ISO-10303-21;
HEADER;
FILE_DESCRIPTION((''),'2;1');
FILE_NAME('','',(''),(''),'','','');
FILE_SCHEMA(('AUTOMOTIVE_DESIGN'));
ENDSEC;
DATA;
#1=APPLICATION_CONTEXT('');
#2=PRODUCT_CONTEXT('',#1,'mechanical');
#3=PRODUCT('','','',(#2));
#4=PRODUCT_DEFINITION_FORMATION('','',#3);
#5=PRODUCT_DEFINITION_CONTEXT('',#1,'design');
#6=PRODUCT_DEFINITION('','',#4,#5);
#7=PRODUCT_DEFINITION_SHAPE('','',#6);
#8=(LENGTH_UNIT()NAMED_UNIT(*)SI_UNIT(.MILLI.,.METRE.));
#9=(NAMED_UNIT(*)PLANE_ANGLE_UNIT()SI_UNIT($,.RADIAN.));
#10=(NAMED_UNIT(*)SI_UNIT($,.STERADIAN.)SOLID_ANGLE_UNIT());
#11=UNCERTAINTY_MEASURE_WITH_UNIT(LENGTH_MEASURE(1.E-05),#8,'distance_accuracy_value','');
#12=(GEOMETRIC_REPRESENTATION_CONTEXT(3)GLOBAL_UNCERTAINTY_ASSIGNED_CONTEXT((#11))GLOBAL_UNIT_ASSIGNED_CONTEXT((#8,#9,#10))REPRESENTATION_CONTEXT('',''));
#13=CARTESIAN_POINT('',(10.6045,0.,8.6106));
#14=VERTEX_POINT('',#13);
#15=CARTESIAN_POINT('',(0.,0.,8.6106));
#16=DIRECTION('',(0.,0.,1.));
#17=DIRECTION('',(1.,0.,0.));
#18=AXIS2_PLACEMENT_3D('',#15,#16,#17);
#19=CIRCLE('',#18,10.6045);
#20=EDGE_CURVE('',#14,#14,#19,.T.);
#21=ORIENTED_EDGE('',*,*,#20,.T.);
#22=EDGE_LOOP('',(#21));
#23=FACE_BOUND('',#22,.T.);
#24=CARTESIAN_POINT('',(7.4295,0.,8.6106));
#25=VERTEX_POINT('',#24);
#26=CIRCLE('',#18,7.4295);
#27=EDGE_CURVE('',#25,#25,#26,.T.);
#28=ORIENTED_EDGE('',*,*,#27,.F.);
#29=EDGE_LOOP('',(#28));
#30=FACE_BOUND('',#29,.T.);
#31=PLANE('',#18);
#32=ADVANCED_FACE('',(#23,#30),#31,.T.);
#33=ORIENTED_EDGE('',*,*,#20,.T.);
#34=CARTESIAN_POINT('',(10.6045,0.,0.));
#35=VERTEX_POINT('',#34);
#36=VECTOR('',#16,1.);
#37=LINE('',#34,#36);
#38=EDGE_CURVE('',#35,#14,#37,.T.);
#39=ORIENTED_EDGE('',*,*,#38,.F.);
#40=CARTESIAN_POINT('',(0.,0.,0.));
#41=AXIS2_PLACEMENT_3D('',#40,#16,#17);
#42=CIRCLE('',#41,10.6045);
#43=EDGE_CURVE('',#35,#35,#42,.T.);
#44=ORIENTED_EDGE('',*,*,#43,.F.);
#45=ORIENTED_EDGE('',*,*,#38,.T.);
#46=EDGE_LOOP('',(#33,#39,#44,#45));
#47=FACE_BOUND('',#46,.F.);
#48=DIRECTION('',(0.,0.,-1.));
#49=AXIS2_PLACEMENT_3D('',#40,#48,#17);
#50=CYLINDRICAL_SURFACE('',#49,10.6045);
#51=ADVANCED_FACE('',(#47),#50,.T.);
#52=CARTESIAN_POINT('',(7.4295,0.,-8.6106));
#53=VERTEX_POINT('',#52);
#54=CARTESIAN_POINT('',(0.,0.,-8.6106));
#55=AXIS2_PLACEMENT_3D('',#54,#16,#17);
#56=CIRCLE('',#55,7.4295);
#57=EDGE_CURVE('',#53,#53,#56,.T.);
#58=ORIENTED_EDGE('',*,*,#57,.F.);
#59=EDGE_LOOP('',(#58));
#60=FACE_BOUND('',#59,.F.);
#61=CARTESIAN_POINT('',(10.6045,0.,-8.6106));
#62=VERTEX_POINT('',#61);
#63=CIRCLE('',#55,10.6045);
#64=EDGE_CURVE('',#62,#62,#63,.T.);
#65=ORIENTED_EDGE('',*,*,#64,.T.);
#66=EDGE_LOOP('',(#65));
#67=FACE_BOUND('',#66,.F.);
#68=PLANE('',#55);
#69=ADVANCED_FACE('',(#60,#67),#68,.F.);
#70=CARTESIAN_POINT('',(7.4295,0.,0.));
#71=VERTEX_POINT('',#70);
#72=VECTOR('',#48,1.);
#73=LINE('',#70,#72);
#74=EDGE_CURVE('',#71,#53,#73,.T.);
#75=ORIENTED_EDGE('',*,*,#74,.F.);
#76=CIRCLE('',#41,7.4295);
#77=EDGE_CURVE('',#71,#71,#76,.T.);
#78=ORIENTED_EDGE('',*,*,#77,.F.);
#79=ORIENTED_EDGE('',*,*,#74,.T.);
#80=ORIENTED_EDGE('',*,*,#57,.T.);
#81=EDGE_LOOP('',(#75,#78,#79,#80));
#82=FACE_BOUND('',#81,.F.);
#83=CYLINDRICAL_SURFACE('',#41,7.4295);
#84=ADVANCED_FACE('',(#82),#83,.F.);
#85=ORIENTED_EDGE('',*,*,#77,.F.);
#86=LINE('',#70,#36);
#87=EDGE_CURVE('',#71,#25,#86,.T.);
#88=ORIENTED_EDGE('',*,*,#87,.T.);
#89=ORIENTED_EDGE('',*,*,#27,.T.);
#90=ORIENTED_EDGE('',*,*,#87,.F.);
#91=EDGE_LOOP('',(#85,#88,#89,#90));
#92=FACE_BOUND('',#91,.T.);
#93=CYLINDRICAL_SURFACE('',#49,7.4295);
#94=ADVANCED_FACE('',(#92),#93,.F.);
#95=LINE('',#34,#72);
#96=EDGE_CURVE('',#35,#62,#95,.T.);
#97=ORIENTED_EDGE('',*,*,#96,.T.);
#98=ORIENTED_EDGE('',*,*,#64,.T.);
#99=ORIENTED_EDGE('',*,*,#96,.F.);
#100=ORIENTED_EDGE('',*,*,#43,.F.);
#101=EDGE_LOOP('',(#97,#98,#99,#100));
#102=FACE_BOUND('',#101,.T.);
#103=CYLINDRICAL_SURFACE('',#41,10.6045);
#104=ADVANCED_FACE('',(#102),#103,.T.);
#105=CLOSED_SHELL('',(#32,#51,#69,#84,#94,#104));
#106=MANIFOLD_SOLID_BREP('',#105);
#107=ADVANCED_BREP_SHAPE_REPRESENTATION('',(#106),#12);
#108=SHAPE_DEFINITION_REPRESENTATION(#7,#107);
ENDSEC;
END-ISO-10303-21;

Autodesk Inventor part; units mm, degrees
ref_plane "YZ Plane" through (0, 0, 0) normal (1, 0, 0) x (0, 1, 0)
ref_plane "XZ Plane" through (0, 0, 0) normal (0, 1, 0) x (-1, 0, 0)
ref_plane "XY Plane" through (0, 0, 0) normal (0, 0, 1) x (1, 0, 0)
sketch "Sketch1" plane through (0, 0, 0) normal (0, 0, 1) x (1, 0, 0)
  circle A0 centre (0, 0) radius 7.4295
  circle A1 centre (0, 0) radius 10.6045
  dimension "d0" = 14.859
  dimension "d1" = 3.175
extrude "Extrusion1" add sketch "Sketch1" along normal mid plane 17.2212
properties part number "GP5-018" material "ABS Plastic"
